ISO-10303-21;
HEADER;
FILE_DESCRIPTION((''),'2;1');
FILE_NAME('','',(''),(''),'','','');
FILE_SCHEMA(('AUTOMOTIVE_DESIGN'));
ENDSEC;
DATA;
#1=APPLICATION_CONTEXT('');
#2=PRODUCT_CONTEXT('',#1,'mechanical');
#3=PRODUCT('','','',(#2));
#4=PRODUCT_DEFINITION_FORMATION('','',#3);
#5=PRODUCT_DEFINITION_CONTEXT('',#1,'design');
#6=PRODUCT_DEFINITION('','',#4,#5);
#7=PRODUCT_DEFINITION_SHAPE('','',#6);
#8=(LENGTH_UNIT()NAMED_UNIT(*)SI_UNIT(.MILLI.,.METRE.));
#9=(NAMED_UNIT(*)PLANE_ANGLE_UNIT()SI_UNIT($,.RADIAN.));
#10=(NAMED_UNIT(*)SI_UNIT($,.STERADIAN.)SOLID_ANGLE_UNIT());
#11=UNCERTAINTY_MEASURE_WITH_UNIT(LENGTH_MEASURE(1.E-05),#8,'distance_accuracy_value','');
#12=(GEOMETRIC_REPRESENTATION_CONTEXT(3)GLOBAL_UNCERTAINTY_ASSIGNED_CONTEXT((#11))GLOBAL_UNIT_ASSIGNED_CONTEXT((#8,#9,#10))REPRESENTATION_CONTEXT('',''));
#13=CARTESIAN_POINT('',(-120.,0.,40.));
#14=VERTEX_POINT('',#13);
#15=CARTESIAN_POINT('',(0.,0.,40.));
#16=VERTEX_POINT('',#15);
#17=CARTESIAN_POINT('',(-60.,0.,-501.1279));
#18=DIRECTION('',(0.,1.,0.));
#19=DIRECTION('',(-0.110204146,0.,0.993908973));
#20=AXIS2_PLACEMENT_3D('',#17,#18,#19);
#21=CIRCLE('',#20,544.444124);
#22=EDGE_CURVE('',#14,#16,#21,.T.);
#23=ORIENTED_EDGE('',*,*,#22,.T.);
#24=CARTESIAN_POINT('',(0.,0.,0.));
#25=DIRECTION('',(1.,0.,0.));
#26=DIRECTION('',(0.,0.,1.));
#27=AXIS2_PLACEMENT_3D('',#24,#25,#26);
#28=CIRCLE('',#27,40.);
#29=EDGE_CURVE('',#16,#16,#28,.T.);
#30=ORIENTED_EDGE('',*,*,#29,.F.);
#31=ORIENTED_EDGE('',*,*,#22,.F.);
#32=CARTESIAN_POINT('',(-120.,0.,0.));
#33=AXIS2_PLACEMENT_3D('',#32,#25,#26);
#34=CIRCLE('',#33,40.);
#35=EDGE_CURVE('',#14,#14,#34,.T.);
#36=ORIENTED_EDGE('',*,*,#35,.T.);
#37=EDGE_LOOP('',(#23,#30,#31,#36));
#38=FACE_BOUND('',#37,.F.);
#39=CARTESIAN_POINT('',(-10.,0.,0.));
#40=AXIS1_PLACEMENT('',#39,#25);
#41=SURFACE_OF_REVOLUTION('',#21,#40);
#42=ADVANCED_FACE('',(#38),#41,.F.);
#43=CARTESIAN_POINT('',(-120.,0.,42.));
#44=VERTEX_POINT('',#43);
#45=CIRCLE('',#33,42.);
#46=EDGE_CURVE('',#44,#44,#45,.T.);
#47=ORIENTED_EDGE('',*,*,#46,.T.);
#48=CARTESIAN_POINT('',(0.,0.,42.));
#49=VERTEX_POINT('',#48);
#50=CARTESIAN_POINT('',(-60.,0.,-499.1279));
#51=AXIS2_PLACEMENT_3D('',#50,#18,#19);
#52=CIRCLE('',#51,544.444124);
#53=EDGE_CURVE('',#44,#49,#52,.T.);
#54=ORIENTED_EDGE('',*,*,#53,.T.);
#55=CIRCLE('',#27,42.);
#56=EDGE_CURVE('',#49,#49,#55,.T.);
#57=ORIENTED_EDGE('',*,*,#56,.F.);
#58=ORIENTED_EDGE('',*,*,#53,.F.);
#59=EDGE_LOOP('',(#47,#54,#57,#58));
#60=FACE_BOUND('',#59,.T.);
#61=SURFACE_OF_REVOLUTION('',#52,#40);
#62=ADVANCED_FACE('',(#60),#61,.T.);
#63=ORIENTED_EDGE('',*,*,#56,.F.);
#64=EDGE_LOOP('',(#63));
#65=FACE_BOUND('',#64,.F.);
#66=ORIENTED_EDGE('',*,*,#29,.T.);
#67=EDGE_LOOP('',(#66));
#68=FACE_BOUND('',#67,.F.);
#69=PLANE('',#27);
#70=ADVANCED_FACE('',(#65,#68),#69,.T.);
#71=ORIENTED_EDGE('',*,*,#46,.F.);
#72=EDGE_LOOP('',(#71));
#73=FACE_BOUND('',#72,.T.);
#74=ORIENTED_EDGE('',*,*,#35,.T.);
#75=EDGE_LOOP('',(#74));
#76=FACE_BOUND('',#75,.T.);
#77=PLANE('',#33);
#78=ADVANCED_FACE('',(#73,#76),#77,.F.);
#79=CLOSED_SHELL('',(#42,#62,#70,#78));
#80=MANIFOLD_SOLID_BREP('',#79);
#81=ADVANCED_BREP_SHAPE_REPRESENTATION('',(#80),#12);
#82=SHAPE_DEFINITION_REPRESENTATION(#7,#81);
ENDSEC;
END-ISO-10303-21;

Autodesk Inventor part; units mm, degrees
ref_plane "YZ Plane" through (0, 0, 0) normal (1, 0, 0) x (0, 1, 0)
ref_plane "XZ Plane" through (0, 0, 0) normal (0, 1, 0) x (-1, 0, 0)
ref_plane "XY Plane" through (0, 0, 0) normal (0, 0, 1) x (1, 0, 0)
sketch "Sketch1" plane through (0, 0, 0) normal (0, 1, 0) x (-1, 0, 0)
  line L0 (0, 0) -> (0, 40)
  line L1 (0, 40) -> (120, 40)
  line L2 (120, 40) -> (120, 42)
  line L3 (0, 40) -> (0, 42)
  arc A0 (120, 40) -> (0, 40) centre (60, -501.1279) ccw
  arc A1 (120, 42) -> (0, 42) centre (60, -499.1279) ccw
  line L4 (144, 0) -> (-24, 0) projected
  dimension "d0" = 40
  dimension "d1" = 120
  dimension "d2" = 2
  dimension "d3" = 2
sketch "Sketch2" plane through (0, 0, 0) normal (0, 1, 0) x (-1, 0, 0)
  line L0 (0, 0) -> (120, 0)
  line L1 (120, 0) -> (120, 40)
  dimension "d4" = 120
  dimension "d5" = 40
revolve "Revolution1" add sketch "Sketch1" angle 360 about axis through (-10, 0, 0) along (1, 0, 0) contours L3 A1 L2 A0
properties part number "sugardrum1"
